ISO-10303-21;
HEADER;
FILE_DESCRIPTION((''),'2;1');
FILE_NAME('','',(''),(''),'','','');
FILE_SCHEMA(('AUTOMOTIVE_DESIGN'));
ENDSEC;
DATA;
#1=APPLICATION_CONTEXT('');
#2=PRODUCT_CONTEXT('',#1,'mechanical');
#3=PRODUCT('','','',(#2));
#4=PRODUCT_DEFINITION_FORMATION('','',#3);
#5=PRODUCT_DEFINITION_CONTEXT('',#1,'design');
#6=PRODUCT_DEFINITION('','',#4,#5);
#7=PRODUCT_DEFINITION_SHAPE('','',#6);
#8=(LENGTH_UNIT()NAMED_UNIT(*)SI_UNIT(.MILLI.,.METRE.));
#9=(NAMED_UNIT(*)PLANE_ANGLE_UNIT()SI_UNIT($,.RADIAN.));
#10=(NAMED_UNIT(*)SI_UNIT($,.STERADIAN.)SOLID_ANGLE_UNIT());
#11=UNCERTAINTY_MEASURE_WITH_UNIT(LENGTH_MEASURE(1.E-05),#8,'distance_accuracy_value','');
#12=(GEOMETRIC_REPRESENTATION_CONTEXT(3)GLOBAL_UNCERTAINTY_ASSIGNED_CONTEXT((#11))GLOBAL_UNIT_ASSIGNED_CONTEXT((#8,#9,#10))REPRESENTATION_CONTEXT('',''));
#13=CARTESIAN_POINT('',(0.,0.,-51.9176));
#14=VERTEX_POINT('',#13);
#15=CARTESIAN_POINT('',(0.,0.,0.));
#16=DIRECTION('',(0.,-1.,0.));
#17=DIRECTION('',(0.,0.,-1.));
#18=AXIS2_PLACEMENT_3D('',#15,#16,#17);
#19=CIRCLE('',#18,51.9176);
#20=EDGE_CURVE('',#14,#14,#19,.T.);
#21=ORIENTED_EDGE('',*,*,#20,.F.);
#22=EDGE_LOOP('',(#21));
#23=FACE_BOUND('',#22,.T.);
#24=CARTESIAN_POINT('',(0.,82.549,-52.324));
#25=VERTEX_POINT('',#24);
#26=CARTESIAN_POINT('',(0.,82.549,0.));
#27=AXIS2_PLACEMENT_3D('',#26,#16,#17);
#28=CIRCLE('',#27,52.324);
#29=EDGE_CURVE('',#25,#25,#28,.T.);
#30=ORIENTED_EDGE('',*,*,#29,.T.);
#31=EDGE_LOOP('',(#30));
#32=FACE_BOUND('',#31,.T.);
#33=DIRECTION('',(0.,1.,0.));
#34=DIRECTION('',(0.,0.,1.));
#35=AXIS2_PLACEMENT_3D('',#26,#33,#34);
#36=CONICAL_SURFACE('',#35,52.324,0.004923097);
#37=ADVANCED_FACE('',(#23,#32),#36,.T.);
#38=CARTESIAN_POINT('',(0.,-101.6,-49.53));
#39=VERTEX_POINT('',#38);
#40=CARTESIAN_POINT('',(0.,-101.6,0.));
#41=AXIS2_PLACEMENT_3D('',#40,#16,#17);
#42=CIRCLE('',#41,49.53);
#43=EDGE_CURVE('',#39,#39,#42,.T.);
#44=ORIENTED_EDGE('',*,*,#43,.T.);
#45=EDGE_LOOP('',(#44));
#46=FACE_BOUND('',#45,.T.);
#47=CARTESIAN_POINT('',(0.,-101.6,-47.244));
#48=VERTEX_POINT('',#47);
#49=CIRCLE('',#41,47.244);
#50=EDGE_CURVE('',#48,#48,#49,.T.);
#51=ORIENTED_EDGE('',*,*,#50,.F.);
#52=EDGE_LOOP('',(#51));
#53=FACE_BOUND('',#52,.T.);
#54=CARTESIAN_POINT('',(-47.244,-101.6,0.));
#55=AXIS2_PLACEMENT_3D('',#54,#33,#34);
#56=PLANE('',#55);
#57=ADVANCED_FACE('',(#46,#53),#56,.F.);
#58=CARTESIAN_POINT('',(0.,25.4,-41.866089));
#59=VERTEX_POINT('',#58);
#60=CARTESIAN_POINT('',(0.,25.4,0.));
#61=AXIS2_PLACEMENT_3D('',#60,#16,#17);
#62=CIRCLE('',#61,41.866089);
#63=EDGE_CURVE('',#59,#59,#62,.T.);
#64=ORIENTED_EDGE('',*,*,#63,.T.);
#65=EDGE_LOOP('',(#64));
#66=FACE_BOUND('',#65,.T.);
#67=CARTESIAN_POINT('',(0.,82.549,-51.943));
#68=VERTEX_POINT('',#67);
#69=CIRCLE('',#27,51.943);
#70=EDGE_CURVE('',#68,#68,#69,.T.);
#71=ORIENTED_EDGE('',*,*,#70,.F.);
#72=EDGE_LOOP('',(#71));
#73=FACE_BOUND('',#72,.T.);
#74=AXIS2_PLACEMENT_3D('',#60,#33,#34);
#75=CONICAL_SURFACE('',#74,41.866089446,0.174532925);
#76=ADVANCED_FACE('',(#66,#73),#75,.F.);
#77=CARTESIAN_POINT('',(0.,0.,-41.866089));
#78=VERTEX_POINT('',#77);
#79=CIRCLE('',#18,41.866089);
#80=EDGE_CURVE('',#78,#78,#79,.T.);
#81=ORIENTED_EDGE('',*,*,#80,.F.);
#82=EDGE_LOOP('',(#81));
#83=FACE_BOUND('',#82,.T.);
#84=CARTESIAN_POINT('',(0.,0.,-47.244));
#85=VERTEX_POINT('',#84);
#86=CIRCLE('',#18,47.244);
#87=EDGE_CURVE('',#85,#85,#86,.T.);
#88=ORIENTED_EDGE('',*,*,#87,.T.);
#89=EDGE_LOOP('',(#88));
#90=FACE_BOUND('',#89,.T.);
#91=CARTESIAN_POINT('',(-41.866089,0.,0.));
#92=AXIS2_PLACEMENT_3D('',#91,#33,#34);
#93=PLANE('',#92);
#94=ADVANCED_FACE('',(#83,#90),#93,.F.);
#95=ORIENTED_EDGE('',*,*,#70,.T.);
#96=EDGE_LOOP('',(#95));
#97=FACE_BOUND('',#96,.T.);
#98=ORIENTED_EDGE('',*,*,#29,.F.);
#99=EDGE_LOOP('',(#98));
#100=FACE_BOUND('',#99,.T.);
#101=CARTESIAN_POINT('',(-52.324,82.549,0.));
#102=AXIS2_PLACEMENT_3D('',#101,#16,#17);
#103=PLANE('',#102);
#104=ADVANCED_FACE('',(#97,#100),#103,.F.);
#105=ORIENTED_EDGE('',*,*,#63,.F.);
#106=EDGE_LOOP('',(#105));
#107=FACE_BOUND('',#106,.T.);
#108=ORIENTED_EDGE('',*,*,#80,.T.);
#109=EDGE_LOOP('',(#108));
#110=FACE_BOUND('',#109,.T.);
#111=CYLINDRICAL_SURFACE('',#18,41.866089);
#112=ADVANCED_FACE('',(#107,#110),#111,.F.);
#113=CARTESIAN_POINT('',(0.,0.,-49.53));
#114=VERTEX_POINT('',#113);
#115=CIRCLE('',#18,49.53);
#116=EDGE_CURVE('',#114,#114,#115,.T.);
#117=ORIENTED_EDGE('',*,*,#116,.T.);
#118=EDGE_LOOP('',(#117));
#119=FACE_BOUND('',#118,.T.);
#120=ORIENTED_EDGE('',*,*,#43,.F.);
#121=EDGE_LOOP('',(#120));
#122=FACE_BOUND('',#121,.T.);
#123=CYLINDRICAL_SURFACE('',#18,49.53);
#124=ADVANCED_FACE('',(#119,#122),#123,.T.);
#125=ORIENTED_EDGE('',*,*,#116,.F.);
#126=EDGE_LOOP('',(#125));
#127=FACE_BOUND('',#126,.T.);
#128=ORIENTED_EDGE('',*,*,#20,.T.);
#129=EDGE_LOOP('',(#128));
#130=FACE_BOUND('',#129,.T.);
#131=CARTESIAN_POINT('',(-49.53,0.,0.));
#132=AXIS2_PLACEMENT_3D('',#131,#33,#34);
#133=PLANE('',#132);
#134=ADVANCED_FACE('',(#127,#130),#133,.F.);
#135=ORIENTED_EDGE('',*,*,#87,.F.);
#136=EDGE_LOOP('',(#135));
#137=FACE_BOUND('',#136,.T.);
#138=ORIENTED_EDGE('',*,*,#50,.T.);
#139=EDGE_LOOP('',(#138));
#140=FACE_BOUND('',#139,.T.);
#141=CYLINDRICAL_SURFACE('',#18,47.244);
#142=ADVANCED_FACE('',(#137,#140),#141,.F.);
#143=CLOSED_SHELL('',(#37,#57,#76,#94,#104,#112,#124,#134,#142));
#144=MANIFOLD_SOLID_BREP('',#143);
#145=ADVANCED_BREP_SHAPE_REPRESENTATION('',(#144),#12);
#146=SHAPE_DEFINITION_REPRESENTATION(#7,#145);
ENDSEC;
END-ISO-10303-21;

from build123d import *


with BuildPart() as part:
    # Sketch1 → Revolve1 (revolve)
    with BuildSketch(Plane.XY):
        Polygon((-49.53, 0), (-51.9176, 0), (-52.324, 82.548999625), (-51.943, 82.548999625), (-41.866089446, 25.4), (-41.866089446, 0), (-47.244, 0), (-47.244, -101.6), (-49.53, -101.6), align=None)
    revolve(axis=Axis((0, 0, 0), (0, 1, 0)))


solid = part.part
